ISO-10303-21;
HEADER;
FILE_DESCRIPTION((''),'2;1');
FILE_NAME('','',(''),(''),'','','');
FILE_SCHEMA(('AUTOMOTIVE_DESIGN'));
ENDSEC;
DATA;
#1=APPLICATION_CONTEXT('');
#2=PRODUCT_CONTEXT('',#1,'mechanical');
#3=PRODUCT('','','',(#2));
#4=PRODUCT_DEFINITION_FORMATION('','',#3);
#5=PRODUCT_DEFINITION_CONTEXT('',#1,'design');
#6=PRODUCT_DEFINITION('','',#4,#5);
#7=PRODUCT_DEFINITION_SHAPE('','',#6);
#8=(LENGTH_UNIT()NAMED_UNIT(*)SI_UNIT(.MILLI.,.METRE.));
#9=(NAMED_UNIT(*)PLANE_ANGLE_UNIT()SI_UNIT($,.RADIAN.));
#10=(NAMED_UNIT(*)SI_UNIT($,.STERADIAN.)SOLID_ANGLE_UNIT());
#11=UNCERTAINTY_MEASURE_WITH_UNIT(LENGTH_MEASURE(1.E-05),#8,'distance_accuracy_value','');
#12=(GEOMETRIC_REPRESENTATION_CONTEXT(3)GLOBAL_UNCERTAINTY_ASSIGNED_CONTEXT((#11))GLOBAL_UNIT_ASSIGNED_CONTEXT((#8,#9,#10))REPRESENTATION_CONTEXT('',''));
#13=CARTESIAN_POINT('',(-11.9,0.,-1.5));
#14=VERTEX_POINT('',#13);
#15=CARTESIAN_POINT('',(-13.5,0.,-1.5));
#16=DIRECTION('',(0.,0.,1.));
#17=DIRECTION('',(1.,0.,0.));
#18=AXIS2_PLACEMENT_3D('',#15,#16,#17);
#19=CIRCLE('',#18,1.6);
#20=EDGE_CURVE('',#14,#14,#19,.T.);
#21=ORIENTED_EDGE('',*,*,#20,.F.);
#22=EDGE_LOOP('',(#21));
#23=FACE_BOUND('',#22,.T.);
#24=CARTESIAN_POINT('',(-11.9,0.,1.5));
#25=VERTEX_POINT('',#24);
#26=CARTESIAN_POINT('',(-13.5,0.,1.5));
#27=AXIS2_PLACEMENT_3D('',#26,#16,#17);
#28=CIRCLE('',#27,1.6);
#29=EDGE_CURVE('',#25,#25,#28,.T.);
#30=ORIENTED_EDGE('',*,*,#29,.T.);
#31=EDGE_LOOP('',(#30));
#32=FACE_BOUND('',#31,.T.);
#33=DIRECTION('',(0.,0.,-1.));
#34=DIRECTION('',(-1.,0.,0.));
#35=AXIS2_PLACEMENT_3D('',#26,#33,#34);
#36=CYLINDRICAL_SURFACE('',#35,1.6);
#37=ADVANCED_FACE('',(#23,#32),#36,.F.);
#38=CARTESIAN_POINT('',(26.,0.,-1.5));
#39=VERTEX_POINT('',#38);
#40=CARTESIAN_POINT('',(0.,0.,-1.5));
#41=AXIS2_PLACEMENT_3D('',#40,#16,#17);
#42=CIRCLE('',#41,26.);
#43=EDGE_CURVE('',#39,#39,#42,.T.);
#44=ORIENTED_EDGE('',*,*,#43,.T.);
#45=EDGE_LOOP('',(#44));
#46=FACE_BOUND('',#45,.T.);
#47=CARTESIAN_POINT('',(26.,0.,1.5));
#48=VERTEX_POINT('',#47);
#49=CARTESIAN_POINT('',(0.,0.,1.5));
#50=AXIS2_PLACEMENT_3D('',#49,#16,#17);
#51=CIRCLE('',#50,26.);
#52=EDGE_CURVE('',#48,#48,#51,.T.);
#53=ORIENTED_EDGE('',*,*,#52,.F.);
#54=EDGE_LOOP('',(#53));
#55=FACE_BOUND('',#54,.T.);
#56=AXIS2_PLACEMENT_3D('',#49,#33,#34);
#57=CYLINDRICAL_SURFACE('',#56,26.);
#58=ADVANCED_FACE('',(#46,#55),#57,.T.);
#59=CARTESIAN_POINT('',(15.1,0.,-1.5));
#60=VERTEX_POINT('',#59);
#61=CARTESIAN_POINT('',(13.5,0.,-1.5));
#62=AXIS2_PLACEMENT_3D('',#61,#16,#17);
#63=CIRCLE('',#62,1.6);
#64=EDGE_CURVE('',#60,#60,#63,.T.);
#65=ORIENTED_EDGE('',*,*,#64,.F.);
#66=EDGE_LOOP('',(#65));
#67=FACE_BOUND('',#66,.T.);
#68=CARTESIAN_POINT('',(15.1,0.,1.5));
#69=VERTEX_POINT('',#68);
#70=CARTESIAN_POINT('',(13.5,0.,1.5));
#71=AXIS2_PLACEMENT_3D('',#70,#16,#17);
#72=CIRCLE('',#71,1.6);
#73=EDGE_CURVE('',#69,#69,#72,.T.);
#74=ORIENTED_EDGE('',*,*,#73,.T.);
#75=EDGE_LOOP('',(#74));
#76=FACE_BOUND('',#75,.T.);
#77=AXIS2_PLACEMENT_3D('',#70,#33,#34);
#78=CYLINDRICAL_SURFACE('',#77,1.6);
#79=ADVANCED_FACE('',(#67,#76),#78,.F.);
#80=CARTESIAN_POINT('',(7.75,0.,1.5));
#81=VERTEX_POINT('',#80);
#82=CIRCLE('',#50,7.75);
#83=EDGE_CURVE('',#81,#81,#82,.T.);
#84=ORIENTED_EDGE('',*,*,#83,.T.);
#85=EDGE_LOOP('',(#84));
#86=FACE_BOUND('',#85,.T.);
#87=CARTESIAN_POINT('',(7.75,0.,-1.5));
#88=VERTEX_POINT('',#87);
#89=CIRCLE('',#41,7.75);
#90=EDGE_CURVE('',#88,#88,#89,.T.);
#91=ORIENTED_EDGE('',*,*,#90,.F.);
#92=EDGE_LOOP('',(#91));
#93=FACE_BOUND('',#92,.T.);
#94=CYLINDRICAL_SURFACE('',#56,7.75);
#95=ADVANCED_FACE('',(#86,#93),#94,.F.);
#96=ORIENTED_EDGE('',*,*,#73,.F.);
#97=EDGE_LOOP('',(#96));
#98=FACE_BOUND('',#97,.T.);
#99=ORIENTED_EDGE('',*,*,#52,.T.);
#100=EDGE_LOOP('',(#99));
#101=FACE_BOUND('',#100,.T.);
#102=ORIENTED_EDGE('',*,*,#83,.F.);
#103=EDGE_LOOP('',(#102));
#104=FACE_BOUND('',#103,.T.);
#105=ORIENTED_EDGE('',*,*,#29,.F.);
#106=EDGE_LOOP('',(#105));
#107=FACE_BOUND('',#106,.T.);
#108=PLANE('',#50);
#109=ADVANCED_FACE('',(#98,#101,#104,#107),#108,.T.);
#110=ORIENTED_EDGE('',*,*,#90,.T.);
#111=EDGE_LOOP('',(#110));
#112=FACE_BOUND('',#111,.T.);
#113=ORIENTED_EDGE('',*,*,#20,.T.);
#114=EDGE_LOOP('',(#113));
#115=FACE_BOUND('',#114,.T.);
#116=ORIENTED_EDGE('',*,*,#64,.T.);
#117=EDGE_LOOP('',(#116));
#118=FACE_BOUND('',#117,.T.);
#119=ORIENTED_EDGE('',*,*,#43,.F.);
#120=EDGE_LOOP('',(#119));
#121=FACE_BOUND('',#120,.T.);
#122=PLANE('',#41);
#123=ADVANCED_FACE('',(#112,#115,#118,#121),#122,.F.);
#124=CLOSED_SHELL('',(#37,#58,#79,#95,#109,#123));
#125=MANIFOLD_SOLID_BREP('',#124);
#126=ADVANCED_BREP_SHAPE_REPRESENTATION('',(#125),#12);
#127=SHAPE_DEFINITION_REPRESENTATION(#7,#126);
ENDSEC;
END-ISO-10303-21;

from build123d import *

# Parameters (mm, degrees)
ESBO_O1_R                = 26
ESBO_O1_R_2              = 7.75
ESBO_O1_R_3              = 1.6
RESSALTO_EXTRUS_O1_DEPTH = 1.5


with BuildPart() as part:
    # Esboço1 → Ressalto-extrusão1 (new body, symmetric)
    with BuildSketch(Plane.XY):
        Circle(ESBO_O1_R)
        Circle(ESBO_O1_R_2, mode=Mode.SUBTRACT)
        with Locations((-13.5, 0)):
            Circle(ESBO_O1_R_3, mode=Mode.SUBTRACT)
        with Locations((13.5, 0)):
            Circle(ESBO_O1_R_3, mode=Mode.SUBTRACT)
    extrude(amount=RESSALTO_EXTRUS_O1_DEPTH, both=True)


solid = part.part
